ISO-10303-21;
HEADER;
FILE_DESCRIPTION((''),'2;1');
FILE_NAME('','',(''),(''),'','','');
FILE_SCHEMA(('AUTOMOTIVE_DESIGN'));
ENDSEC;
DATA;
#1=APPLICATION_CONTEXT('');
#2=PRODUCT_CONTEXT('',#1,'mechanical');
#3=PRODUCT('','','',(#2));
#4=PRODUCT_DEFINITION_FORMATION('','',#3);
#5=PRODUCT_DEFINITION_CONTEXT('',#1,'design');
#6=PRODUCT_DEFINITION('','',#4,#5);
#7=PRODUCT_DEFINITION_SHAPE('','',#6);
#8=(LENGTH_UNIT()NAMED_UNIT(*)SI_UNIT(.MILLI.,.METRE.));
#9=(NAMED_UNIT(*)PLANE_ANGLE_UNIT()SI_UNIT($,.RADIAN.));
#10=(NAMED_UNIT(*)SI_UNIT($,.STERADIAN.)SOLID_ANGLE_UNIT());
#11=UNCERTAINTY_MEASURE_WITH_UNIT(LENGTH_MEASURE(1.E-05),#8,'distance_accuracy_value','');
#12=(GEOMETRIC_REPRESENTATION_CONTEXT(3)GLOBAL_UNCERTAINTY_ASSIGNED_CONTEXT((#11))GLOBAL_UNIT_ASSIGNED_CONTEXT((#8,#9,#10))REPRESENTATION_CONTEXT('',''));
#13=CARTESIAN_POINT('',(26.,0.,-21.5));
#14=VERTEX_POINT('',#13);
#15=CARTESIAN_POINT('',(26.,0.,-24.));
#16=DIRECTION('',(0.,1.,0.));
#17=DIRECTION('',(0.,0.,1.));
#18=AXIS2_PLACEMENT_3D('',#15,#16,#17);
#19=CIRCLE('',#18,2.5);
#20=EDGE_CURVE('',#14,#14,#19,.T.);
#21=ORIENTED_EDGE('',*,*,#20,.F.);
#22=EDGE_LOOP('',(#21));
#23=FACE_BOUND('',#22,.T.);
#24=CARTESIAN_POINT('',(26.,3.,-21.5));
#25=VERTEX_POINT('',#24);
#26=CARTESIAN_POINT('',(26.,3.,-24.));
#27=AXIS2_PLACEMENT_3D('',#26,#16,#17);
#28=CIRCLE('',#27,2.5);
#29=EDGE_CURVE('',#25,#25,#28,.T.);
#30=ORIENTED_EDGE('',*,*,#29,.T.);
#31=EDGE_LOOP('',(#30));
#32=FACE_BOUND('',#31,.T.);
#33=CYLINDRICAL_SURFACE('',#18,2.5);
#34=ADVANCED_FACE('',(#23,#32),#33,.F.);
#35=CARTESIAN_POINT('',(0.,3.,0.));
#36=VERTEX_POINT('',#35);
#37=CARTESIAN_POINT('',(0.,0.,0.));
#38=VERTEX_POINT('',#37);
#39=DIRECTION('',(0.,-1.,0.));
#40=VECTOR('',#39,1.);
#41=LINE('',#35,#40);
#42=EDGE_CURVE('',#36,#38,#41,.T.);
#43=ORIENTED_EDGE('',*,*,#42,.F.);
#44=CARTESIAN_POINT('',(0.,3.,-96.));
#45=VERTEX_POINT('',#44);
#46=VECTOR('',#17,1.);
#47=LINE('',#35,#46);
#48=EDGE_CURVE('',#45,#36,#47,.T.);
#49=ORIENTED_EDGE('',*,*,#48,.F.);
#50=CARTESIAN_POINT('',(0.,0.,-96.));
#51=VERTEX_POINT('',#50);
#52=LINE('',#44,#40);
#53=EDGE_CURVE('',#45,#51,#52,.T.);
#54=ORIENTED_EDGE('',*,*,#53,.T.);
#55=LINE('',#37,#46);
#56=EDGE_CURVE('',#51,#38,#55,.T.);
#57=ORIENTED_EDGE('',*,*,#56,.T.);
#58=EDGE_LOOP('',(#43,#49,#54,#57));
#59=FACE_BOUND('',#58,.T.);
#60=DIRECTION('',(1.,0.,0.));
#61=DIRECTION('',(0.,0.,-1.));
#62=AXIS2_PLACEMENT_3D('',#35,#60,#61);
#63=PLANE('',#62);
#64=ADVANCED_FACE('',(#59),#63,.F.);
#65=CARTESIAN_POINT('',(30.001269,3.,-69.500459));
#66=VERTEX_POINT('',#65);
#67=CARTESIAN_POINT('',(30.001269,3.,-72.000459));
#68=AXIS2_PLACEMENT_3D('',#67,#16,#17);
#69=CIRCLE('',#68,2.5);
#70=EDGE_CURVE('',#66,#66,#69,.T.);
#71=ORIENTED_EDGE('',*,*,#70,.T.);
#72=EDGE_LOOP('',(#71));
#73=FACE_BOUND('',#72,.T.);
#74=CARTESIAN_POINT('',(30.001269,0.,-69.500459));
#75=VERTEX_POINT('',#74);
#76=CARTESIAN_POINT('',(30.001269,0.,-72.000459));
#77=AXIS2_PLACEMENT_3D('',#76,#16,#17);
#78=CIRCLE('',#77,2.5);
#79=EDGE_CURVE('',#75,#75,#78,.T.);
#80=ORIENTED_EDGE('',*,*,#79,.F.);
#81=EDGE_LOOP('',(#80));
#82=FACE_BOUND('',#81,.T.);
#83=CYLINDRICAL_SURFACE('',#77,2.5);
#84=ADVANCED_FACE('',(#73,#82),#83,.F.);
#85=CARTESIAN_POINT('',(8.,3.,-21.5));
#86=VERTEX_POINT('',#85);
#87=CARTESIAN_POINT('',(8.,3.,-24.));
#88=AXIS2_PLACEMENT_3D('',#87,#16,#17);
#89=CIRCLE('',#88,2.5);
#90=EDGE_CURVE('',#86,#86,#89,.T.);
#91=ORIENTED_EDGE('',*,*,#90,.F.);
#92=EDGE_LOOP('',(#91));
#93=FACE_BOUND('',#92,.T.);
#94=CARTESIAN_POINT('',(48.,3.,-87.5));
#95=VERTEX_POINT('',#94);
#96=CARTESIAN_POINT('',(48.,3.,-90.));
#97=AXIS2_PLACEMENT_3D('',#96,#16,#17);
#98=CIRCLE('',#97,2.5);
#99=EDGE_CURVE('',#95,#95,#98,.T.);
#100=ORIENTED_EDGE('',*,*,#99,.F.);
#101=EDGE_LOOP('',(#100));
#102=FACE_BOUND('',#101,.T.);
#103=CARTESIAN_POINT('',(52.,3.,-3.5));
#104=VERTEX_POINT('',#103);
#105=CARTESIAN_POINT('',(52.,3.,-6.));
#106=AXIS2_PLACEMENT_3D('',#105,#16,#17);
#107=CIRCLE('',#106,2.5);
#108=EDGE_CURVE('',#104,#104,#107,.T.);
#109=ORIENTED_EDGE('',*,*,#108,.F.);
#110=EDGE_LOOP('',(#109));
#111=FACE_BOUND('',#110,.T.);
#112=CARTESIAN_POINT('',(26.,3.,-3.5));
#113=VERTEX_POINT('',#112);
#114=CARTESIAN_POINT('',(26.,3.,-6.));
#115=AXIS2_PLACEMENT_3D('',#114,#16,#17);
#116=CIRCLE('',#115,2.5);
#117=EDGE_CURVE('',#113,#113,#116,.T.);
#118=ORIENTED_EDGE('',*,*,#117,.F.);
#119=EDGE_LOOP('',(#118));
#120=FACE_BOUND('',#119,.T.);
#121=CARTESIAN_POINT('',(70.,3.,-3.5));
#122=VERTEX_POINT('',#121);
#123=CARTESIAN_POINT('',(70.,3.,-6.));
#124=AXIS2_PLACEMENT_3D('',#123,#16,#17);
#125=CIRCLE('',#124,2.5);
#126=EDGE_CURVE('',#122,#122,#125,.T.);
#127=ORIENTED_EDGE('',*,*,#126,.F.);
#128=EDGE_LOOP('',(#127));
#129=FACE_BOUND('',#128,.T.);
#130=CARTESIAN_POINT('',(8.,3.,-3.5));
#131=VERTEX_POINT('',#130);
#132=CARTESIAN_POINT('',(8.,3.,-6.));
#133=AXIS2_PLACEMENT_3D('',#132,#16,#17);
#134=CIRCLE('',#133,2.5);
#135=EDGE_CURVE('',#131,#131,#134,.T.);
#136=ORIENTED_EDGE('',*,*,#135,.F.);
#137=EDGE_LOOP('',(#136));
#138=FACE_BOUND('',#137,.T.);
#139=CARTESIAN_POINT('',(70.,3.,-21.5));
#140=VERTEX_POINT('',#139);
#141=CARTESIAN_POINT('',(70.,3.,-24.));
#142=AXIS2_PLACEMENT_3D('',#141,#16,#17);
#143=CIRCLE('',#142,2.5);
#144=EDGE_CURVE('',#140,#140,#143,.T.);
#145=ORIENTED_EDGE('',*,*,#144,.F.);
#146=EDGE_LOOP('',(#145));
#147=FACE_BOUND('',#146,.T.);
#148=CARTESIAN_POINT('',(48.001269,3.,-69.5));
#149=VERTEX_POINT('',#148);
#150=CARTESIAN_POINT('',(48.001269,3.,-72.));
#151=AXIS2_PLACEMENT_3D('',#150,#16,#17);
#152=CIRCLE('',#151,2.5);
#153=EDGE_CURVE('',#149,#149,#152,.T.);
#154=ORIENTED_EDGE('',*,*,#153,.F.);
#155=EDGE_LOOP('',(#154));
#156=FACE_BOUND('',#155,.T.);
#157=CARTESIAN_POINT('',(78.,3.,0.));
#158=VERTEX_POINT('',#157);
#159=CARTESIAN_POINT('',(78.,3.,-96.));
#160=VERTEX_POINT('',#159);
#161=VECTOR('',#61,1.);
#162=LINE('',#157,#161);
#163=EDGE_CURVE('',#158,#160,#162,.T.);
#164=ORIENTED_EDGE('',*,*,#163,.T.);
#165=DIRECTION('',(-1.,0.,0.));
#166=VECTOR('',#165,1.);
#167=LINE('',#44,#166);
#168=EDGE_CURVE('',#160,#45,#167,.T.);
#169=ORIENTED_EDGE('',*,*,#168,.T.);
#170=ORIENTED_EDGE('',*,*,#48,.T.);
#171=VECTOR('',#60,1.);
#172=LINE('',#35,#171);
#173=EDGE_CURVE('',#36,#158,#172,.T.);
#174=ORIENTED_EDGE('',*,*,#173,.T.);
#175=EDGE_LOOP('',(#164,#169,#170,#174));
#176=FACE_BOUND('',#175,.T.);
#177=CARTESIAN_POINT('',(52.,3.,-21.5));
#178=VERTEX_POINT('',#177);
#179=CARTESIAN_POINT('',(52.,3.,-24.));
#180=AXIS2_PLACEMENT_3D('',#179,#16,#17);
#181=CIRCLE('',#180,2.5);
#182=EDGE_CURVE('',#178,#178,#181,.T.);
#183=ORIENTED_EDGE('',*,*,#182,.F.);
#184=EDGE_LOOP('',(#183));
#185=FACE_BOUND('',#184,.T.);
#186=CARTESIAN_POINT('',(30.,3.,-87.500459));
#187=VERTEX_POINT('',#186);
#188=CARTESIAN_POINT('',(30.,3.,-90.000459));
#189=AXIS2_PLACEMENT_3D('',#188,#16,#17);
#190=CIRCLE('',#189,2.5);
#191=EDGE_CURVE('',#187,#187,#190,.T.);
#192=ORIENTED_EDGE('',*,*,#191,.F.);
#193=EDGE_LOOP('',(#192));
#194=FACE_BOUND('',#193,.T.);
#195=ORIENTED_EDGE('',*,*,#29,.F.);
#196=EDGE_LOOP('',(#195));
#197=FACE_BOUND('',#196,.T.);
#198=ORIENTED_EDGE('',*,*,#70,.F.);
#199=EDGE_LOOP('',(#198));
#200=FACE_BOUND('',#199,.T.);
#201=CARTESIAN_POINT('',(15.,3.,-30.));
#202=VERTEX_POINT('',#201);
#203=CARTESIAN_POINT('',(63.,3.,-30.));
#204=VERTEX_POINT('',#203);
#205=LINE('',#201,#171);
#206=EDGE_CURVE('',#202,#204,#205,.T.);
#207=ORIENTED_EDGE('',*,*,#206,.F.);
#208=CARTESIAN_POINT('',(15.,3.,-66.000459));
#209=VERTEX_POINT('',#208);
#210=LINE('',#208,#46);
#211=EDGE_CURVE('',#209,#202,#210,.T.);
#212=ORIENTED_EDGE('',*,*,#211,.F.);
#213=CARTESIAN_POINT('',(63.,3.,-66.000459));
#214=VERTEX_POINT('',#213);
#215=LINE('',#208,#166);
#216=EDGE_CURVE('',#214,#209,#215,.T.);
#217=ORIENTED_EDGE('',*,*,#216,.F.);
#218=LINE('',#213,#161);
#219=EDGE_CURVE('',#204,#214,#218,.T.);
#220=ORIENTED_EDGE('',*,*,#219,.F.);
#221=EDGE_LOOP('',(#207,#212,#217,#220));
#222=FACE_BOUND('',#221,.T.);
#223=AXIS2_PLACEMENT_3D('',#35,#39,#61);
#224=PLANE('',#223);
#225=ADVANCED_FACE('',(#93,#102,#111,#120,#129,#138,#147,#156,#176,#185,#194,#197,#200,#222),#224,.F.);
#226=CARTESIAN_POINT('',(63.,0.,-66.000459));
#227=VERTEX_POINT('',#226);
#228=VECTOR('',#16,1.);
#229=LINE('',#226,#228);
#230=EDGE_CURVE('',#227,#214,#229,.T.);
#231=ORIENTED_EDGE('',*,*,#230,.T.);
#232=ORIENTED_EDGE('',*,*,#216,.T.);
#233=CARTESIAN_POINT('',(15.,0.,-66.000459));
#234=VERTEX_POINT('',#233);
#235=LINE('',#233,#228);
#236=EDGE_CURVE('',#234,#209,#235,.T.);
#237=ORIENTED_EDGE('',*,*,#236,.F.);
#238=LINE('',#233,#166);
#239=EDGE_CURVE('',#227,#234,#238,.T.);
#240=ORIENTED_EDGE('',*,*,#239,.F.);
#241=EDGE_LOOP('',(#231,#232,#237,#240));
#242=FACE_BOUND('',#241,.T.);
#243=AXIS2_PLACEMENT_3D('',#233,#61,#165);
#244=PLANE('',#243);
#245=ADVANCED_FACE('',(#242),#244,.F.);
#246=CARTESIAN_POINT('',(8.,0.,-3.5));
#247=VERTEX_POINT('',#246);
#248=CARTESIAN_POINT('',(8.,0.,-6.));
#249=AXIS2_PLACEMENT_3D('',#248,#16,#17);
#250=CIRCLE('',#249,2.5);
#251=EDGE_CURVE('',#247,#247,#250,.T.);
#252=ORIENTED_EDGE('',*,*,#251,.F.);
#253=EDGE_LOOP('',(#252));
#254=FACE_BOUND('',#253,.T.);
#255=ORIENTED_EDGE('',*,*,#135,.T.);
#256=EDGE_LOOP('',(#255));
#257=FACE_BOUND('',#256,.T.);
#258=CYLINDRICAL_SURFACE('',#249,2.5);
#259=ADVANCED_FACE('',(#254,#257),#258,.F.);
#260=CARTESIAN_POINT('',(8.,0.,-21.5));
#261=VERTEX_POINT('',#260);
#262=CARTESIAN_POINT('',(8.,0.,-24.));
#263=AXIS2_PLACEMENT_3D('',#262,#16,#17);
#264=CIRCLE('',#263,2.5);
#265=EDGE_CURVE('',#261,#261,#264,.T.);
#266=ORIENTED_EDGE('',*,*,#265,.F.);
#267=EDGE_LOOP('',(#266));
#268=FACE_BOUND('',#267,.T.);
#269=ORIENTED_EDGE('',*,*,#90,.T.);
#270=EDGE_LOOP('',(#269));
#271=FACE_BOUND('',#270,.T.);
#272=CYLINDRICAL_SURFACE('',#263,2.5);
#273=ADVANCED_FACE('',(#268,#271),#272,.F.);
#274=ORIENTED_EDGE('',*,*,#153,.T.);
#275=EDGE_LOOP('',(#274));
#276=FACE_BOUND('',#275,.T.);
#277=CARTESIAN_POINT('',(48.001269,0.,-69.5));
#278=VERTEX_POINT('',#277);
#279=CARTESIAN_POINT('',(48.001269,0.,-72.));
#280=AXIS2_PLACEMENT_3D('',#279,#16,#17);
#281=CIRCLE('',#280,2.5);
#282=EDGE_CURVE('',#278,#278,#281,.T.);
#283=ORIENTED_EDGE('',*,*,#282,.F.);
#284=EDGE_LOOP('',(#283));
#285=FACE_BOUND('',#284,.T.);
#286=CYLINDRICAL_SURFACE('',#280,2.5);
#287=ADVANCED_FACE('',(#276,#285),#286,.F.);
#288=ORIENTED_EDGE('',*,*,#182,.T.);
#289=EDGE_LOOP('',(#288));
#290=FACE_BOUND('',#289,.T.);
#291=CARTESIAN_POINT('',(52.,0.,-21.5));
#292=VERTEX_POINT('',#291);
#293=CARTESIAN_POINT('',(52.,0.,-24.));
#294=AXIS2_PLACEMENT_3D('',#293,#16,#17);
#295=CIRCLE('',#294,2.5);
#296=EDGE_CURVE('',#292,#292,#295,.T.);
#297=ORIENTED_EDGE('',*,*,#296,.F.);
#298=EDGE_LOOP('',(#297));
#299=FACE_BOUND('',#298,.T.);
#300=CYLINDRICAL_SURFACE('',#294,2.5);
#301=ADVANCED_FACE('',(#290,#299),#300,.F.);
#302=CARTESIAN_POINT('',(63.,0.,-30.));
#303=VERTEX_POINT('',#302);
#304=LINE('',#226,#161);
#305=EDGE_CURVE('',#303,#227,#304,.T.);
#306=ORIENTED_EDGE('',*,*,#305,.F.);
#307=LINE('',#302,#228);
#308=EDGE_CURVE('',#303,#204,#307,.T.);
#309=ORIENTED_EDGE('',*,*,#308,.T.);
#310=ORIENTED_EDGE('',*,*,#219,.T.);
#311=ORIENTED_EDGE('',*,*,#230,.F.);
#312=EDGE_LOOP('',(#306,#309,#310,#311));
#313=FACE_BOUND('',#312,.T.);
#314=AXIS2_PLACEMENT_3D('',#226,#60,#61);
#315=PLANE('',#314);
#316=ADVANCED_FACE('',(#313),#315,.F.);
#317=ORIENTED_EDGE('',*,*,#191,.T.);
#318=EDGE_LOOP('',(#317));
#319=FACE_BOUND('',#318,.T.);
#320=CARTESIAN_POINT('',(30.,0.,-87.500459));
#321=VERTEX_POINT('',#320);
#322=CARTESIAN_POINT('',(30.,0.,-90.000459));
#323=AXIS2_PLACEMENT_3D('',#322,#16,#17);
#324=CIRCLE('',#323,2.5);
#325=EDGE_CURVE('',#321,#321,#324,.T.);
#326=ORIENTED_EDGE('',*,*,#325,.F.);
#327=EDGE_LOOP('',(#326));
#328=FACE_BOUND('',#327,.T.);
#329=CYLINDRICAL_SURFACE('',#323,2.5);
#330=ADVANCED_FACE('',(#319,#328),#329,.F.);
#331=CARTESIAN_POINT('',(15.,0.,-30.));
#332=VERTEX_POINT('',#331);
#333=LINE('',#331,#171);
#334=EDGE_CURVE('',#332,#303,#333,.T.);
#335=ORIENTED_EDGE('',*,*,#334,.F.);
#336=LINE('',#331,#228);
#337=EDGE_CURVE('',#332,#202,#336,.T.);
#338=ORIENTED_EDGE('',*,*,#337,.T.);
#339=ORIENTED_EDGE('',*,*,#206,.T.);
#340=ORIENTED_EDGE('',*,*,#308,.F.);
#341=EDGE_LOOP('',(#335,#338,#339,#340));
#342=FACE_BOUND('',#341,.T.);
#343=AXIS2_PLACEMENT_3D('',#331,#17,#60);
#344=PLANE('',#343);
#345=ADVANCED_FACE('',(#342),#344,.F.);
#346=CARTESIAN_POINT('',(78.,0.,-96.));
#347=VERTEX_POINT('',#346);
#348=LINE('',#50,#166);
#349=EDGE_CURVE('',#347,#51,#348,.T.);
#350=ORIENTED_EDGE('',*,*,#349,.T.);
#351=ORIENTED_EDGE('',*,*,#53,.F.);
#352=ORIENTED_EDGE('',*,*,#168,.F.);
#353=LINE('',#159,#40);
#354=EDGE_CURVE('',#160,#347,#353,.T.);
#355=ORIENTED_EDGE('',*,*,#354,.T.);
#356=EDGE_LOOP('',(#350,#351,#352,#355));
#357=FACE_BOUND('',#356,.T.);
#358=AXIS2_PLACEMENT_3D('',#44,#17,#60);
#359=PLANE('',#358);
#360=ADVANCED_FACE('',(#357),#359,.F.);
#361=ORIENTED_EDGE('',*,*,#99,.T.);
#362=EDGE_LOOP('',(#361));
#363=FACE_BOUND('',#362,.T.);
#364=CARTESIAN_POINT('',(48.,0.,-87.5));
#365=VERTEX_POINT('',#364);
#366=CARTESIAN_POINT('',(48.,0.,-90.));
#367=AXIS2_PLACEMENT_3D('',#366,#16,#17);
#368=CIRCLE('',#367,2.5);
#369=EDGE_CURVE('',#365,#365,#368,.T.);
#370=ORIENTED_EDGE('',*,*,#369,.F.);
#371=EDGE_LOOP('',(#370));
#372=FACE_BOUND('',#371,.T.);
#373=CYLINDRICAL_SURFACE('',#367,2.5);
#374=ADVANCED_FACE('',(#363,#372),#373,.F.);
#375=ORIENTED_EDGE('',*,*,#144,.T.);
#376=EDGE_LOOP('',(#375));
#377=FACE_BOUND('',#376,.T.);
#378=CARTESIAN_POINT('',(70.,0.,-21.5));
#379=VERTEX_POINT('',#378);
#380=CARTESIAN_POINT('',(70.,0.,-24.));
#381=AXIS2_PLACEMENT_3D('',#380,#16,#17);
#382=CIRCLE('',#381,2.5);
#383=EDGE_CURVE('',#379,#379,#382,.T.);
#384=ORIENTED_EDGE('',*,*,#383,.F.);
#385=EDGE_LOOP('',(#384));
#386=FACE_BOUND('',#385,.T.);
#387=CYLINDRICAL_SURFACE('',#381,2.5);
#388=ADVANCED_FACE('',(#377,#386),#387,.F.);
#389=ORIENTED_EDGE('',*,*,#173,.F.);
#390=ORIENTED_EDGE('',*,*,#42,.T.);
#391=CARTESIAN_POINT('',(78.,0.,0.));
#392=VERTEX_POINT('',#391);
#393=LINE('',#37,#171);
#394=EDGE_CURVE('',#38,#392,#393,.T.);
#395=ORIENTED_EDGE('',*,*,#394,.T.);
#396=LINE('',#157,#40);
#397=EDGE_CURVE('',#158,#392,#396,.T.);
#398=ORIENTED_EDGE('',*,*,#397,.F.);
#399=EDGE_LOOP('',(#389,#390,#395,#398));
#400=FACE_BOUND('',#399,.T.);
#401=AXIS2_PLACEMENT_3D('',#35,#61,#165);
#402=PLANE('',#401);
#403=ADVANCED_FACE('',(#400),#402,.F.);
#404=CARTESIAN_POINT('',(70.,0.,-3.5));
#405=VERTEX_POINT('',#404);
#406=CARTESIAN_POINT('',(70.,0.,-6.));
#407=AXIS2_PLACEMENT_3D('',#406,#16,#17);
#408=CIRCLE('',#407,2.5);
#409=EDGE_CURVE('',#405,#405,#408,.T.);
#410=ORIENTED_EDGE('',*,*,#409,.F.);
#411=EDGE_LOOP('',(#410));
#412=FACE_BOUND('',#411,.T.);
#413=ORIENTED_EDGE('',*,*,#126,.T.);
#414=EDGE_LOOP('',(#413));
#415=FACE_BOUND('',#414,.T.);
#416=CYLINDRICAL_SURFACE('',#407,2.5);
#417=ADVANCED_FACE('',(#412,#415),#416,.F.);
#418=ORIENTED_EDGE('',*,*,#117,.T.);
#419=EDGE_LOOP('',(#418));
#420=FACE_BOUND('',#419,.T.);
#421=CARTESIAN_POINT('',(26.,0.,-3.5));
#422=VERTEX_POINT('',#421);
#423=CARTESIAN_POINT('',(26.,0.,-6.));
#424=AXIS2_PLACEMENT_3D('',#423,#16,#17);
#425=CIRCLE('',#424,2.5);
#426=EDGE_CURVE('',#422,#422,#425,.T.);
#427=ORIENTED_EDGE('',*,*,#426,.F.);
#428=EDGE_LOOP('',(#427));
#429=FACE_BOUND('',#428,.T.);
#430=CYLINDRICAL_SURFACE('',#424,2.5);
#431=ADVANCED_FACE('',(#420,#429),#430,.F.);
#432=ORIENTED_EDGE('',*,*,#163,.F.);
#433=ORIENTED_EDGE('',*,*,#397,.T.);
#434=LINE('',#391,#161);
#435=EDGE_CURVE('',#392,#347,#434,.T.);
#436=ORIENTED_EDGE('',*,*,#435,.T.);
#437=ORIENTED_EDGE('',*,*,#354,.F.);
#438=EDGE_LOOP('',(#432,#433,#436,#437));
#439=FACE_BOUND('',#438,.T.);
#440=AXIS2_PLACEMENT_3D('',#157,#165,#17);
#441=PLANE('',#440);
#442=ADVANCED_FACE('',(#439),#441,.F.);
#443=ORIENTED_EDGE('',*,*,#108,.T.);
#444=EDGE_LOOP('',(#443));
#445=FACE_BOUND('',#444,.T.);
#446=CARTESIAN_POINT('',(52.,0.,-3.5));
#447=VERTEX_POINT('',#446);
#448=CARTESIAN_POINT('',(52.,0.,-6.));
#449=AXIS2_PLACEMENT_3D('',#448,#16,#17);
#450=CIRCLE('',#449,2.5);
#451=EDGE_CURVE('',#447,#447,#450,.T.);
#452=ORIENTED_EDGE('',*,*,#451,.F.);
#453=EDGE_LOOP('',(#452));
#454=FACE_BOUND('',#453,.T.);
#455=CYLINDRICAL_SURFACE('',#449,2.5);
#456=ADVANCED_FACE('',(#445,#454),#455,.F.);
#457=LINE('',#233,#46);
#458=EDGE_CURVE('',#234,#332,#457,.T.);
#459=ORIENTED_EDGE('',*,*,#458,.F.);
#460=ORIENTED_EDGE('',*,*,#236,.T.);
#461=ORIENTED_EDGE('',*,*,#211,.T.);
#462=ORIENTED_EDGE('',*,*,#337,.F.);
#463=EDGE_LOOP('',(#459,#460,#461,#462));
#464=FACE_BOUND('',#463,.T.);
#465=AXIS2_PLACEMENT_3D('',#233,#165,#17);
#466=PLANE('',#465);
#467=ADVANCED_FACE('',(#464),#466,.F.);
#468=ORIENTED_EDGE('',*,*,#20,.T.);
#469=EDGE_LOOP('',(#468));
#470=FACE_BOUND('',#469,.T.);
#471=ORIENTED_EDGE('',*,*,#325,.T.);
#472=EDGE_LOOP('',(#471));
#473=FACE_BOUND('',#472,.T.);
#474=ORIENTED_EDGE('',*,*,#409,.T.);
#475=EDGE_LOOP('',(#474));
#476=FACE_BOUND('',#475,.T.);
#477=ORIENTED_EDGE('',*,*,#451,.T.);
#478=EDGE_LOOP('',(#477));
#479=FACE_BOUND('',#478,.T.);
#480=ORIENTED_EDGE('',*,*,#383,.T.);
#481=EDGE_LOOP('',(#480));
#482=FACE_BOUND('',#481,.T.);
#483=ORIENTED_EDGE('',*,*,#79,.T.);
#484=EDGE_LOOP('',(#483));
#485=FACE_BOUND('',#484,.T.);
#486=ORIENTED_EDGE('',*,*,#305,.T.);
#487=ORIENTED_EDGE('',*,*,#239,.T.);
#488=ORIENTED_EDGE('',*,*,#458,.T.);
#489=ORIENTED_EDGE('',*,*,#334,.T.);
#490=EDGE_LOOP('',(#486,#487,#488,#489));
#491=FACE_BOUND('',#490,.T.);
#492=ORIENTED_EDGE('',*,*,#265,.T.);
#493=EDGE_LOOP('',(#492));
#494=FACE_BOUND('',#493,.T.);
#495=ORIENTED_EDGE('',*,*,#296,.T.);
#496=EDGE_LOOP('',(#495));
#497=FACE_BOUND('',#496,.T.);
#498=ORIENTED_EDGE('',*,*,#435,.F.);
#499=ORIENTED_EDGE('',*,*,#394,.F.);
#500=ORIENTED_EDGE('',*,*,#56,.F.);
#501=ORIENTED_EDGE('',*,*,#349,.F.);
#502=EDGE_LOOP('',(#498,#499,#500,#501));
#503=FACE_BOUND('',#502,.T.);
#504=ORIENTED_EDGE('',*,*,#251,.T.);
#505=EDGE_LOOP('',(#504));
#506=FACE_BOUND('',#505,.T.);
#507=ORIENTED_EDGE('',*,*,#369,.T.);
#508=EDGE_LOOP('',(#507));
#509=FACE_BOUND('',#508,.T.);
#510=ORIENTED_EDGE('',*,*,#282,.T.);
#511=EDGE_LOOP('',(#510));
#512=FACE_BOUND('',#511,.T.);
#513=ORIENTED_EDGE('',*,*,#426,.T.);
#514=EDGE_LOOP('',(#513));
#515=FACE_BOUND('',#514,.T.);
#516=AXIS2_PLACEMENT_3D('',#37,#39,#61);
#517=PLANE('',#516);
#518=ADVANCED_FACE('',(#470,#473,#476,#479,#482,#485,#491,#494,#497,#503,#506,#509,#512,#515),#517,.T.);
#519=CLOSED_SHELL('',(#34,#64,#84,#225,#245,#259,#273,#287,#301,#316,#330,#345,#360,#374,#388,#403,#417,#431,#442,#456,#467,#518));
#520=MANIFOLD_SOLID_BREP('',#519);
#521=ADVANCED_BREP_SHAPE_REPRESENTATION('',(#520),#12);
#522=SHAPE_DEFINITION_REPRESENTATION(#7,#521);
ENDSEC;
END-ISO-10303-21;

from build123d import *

# Parameters (mm, degrees)
SKETCH1_W           = 78
SKETCH1_H           = 96
BOSS_EXTRUDE1_DEPTH = 3
SKETCH2_R           = 2.5
CUT_EXTRUDE1_DEPTH  = 3
SKETCH3_W           = 48
SKETCH3_H           = 36.000458934
CUT_EXTRUDE2_DEPTH  = 3


with BuildPart() as part:
    # Sketch1 → Boss-Extrude1 (new body)
    with BuildSketch(Plane(origin=(0, 0, 0), x_dir=(1, 0, 0), z_dir=(0, 1, 0))):
        with Locations((39, 48)):
            Rectangle(SKETCH1_W, SKETCH1_H)
    extrude(amount=BOSS_EXTRUDE1_DEPTH)

    # Sketch2 → Cut-Extrude1 (cut)
    with BuildSketch(Plane(origin=(0, 3, 0), x_dir=(1, 0, 0), z_dir=(0, 1, 0))):
        with Locations(Location((8, 6, 0), (0, 0, 270))):
            Circle(SKETCH2_R)
        with Locations(Location((26, 6, 0), (0, 0, 270))):
            Circle(SKETCH2_R)
        with Locations(Location((8, 24, 0), (0, 0, 270))):
            Circle(SKETCH2_R)
        with Locations(Location((26, 24, 0), (0, 0, 270))):
            Circle(SKETCH2_R)
        with Locations(Location((52, 6, 0), (0, 0, 270))):
            Circle(SKETCH2_R)
        with Locations(Location((70, 6, 0), (0, 0, 270))):
            Circle(SKETCH2_R)
        with Locations(Location((70, 24, 0), (0, 0, 270))):
            Circle(SKETCH2_R)
        with Locations(Location((52, 24, 0), (0, 0, 270))):
            Circle(SKETCH2_R)
        with Locations(Location((48.001269273, 72.000000045, 0), (0, 0, 270))):
            Circle(SKETCH2_R)
        with Locations(Location((30.001269279, 72.000458934, 0), (0, 0, 270))):
            Circle(SKETCH2_R)
        with Locations(Location((48, 90, 0), (0, 0, 270))):
            Circle(SKETCH2_R)
        with Locations(Location((30.000000006, 90.000458889, 0), (0, 0, 270))):
            Circle(SKETCH2_R)
    extrude(amount=-CUT_EXTRUDE1_DEPTH, mode=Mode.SUBTRACT)

    # Sketch3 → Cut-Extrude2 (cut)
    with BuildSketch(Plane(origin=(0, 3, 0), x_dir=(1, 0, 0), z_dir=(0, 1, 0))):
        with Locations((39, 48.000229467)):
            Rectangle(SKETCH3_W, SKETCH3_H)
    extrude(amount=-CUT_EXTRUDE2_DEPTH, mode=Mode.SUBTRACT)


solid = part.part
